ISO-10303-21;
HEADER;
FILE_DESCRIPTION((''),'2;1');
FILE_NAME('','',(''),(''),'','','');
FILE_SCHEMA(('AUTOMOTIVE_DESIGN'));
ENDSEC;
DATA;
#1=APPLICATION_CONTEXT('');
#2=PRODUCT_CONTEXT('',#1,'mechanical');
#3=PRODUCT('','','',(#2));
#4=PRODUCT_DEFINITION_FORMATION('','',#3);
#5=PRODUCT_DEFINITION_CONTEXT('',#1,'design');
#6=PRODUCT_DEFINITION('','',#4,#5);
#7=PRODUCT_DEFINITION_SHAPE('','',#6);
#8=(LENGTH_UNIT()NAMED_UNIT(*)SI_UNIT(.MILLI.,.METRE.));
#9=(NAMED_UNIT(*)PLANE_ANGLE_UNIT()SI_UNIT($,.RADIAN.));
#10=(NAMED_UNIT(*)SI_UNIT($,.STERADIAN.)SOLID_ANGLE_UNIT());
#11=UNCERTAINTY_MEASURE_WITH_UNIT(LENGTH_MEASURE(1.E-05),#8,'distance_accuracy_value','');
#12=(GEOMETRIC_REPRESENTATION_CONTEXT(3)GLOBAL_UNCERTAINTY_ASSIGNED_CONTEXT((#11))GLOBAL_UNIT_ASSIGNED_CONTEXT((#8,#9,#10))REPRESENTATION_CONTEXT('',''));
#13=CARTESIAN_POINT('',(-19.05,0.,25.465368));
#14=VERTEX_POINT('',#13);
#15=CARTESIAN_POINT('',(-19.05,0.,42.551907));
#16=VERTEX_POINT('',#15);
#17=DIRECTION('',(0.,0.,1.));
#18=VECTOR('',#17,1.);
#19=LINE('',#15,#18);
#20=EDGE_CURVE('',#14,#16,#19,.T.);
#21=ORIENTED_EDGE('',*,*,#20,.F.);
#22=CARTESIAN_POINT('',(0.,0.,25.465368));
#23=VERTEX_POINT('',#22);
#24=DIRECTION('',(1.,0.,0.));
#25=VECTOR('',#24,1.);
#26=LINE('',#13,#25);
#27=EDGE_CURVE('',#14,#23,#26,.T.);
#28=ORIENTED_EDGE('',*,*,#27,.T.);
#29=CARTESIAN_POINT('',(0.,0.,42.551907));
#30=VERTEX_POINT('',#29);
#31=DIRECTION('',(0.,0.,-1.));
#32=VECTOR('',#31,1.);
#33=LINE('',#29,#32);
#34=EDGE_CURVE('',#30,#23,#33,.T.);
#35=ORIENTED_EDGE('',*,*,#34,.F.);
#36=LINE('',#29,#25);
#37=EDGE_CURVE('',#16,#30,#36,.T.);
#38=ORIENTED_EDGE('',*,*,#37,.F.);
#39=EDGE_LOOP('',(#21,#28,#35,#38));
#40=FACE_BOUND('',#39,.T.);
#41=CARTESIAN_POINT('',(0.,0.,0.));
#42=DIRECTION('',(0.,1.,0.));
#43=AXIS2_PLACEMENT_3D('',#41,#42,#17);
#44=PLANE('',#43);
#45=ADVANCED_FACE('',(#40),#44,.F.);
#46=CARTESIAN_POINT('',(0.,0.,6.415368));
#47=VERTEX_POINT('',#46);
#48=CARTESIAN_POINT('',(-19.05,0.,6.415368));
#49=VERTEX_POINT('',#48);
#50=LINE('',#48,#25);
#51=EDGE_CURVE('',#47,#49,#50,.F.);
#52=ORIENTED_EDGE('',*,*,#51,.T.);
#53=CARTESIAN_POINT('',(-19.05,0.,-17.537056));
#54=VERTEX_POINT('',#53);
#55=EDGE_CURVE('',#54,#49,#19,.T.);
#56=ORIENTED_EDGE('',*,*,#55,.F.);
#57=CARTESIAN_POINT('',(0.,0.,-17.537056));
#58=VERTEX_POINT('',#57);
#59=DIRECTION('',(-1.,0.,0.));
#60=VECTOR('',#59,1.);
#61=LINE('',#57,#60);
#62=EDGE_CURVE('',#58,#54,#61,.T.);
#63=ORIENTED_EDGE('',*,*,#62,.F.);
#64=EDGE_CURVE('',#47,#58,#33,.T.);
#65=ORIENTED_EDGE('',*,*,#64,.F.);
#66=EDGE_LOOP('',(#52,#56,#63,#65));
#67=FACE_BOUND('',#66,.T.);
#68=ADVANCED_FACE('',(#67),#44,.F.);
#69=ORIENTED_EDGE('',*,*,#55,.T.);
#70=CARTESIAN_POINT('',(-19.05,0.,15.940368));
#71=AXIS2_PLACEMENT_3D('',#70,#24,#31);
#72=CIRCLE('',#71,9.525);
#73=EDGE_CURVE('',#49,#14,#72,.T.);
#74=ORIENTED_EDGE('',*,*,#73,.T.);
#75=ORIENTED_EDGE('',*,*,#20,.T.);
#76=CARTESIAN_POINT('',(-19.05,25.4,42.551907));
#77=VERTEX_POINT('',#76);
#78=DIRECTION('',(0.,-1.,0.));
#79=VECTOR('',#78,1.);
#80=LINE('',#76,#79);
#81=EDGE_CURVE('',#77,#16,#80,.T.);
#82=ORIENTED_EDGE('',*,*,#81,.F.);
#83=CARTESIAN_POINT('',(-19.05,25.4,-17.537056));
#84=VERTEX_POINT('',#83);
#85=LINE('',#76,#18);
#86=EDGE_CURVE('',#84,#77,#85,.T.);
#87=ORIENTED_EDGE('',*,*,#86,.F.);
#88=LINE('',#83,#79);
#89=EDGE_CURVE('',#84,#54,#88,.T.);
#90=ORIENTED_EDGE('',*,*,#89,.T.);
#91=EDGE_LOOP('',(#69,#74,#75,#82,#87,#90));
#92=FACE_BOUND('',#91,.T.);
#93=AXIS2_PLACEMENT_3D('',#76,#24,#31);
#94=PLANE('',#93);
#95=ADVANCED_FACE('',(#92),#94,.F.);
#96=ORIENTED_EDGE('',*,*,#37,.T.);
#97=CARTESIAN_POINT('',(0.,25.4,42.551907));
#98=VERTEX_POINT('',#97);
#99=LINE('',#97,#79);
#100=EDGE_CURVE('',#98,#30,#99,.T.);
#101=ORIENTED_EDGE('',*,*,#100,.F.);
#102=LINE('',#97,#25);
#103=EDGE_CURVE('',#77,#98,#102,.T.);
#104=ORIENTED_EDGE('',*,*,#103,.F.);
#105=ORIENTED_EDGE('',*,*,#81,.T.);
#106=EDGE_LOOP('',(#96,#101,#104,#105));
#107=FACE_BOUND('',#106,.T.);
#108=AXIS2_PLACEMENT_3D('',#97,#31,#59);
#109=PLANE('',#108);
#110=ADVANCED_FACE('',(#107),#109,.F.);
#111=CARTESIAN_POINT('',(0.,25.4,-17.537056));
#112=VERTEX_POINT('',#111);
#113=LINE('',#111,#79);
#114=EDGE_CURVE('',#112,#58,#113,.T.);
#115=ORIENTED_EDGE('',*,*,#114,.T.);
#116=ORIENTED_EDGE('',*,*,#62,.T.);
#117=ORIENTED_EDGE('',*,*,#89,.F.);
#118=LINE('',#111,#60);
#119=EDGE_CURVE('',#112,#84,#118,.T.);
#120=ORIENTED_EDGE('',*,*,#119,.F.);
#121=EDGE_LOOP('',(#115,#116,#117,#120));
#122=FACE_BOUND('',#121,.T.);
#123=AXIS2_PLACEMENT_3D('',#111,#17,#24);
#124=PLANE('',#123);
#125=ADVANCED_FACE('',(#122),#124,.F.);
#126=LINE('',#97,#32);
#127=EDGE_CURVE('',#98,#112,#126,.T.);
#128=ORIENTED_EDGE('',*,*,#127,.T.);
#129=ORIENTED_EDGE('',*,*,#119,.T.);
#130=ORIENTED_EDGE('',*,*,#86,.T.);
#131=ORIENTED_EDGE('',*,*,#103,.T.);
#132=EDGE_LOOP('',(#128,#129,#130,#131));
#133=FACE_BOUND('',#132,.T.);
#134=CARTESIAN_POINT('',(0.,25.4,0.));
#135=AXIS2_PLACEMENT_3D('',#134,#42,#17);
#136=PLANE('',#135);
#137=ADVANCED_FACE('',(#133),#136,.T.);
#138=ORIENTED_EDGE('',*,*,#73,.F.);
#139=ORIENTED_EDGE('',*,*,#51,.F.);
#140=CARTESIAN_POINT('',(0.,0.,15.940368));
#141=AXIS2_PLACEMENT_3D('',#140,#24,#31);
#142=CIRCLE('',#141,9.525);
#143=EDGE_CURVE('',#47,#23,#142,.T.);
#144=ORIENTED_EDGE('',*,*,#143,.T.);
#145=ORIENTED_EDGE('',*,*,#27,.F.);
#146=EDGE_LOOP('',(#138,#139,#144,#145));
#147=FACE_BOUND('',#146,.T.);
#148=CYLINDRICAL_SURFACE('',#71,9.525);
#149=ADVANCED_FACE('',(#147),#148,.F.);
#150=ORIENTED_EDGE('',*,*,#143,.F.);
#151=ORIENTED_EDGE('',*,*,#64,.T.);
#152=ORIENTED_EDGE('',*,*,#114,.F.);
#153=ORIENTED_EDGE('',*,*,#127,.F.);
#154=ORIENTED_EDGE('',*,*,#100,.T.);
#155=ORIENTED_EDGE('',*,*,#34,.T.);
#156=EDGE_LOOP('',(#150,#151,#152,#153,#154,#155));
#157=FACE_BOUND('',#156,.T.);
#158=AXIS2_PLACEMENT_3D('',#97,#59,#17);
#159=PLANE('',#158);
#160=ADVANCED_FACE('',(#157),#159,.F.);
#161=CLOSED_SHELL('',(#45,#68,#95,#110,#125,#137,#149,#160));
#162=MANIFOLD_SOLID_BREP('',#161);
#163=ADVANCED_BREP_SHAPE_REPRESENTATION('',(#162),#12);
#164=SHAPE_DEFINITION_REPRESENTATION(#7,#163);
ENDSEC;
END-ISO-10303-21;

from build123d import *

# Parameters (mm, degrees)
SKETCH1_W           = 19.05
SKETCH1_H           = 60.088962611
BOSS_EXTRUDE1_DEPTH = 25.4
SKETCH2_R           = 9.525
CUT_EXTRUDE1_DEPTH  = 54.0916873


with BuildPart() as part:
    # Sketch1 → Boss-Extrude1 (new body)
    with BuildSketch(Plane(origin=(0, 0, 0), x_dir=(1, 0, 0), z_dir=(0, 1, 0))):
        with Locations((-9.525, -12.507425354)):
            Rectangle(SKETCH1_W, SKETCH1_H)
    extrude(amount=BOSS_EXTRUDE1_DEPTH)

    # Sketch2 → Cut-Extrude1 (cut, through all)
    with BuildSketch(Plane(origin=(0, 0, 0), x_dir=(0, 0, -1), z_dir=(1, 0, 0))):
        with Locations((-15.940368243, 0)):
            Circle(SKETCH2_R)
    extrude(amount=-CUT_EXTRUDE1_DEPTH, mode=Mode.SUBTRACT)


solid = part.part
